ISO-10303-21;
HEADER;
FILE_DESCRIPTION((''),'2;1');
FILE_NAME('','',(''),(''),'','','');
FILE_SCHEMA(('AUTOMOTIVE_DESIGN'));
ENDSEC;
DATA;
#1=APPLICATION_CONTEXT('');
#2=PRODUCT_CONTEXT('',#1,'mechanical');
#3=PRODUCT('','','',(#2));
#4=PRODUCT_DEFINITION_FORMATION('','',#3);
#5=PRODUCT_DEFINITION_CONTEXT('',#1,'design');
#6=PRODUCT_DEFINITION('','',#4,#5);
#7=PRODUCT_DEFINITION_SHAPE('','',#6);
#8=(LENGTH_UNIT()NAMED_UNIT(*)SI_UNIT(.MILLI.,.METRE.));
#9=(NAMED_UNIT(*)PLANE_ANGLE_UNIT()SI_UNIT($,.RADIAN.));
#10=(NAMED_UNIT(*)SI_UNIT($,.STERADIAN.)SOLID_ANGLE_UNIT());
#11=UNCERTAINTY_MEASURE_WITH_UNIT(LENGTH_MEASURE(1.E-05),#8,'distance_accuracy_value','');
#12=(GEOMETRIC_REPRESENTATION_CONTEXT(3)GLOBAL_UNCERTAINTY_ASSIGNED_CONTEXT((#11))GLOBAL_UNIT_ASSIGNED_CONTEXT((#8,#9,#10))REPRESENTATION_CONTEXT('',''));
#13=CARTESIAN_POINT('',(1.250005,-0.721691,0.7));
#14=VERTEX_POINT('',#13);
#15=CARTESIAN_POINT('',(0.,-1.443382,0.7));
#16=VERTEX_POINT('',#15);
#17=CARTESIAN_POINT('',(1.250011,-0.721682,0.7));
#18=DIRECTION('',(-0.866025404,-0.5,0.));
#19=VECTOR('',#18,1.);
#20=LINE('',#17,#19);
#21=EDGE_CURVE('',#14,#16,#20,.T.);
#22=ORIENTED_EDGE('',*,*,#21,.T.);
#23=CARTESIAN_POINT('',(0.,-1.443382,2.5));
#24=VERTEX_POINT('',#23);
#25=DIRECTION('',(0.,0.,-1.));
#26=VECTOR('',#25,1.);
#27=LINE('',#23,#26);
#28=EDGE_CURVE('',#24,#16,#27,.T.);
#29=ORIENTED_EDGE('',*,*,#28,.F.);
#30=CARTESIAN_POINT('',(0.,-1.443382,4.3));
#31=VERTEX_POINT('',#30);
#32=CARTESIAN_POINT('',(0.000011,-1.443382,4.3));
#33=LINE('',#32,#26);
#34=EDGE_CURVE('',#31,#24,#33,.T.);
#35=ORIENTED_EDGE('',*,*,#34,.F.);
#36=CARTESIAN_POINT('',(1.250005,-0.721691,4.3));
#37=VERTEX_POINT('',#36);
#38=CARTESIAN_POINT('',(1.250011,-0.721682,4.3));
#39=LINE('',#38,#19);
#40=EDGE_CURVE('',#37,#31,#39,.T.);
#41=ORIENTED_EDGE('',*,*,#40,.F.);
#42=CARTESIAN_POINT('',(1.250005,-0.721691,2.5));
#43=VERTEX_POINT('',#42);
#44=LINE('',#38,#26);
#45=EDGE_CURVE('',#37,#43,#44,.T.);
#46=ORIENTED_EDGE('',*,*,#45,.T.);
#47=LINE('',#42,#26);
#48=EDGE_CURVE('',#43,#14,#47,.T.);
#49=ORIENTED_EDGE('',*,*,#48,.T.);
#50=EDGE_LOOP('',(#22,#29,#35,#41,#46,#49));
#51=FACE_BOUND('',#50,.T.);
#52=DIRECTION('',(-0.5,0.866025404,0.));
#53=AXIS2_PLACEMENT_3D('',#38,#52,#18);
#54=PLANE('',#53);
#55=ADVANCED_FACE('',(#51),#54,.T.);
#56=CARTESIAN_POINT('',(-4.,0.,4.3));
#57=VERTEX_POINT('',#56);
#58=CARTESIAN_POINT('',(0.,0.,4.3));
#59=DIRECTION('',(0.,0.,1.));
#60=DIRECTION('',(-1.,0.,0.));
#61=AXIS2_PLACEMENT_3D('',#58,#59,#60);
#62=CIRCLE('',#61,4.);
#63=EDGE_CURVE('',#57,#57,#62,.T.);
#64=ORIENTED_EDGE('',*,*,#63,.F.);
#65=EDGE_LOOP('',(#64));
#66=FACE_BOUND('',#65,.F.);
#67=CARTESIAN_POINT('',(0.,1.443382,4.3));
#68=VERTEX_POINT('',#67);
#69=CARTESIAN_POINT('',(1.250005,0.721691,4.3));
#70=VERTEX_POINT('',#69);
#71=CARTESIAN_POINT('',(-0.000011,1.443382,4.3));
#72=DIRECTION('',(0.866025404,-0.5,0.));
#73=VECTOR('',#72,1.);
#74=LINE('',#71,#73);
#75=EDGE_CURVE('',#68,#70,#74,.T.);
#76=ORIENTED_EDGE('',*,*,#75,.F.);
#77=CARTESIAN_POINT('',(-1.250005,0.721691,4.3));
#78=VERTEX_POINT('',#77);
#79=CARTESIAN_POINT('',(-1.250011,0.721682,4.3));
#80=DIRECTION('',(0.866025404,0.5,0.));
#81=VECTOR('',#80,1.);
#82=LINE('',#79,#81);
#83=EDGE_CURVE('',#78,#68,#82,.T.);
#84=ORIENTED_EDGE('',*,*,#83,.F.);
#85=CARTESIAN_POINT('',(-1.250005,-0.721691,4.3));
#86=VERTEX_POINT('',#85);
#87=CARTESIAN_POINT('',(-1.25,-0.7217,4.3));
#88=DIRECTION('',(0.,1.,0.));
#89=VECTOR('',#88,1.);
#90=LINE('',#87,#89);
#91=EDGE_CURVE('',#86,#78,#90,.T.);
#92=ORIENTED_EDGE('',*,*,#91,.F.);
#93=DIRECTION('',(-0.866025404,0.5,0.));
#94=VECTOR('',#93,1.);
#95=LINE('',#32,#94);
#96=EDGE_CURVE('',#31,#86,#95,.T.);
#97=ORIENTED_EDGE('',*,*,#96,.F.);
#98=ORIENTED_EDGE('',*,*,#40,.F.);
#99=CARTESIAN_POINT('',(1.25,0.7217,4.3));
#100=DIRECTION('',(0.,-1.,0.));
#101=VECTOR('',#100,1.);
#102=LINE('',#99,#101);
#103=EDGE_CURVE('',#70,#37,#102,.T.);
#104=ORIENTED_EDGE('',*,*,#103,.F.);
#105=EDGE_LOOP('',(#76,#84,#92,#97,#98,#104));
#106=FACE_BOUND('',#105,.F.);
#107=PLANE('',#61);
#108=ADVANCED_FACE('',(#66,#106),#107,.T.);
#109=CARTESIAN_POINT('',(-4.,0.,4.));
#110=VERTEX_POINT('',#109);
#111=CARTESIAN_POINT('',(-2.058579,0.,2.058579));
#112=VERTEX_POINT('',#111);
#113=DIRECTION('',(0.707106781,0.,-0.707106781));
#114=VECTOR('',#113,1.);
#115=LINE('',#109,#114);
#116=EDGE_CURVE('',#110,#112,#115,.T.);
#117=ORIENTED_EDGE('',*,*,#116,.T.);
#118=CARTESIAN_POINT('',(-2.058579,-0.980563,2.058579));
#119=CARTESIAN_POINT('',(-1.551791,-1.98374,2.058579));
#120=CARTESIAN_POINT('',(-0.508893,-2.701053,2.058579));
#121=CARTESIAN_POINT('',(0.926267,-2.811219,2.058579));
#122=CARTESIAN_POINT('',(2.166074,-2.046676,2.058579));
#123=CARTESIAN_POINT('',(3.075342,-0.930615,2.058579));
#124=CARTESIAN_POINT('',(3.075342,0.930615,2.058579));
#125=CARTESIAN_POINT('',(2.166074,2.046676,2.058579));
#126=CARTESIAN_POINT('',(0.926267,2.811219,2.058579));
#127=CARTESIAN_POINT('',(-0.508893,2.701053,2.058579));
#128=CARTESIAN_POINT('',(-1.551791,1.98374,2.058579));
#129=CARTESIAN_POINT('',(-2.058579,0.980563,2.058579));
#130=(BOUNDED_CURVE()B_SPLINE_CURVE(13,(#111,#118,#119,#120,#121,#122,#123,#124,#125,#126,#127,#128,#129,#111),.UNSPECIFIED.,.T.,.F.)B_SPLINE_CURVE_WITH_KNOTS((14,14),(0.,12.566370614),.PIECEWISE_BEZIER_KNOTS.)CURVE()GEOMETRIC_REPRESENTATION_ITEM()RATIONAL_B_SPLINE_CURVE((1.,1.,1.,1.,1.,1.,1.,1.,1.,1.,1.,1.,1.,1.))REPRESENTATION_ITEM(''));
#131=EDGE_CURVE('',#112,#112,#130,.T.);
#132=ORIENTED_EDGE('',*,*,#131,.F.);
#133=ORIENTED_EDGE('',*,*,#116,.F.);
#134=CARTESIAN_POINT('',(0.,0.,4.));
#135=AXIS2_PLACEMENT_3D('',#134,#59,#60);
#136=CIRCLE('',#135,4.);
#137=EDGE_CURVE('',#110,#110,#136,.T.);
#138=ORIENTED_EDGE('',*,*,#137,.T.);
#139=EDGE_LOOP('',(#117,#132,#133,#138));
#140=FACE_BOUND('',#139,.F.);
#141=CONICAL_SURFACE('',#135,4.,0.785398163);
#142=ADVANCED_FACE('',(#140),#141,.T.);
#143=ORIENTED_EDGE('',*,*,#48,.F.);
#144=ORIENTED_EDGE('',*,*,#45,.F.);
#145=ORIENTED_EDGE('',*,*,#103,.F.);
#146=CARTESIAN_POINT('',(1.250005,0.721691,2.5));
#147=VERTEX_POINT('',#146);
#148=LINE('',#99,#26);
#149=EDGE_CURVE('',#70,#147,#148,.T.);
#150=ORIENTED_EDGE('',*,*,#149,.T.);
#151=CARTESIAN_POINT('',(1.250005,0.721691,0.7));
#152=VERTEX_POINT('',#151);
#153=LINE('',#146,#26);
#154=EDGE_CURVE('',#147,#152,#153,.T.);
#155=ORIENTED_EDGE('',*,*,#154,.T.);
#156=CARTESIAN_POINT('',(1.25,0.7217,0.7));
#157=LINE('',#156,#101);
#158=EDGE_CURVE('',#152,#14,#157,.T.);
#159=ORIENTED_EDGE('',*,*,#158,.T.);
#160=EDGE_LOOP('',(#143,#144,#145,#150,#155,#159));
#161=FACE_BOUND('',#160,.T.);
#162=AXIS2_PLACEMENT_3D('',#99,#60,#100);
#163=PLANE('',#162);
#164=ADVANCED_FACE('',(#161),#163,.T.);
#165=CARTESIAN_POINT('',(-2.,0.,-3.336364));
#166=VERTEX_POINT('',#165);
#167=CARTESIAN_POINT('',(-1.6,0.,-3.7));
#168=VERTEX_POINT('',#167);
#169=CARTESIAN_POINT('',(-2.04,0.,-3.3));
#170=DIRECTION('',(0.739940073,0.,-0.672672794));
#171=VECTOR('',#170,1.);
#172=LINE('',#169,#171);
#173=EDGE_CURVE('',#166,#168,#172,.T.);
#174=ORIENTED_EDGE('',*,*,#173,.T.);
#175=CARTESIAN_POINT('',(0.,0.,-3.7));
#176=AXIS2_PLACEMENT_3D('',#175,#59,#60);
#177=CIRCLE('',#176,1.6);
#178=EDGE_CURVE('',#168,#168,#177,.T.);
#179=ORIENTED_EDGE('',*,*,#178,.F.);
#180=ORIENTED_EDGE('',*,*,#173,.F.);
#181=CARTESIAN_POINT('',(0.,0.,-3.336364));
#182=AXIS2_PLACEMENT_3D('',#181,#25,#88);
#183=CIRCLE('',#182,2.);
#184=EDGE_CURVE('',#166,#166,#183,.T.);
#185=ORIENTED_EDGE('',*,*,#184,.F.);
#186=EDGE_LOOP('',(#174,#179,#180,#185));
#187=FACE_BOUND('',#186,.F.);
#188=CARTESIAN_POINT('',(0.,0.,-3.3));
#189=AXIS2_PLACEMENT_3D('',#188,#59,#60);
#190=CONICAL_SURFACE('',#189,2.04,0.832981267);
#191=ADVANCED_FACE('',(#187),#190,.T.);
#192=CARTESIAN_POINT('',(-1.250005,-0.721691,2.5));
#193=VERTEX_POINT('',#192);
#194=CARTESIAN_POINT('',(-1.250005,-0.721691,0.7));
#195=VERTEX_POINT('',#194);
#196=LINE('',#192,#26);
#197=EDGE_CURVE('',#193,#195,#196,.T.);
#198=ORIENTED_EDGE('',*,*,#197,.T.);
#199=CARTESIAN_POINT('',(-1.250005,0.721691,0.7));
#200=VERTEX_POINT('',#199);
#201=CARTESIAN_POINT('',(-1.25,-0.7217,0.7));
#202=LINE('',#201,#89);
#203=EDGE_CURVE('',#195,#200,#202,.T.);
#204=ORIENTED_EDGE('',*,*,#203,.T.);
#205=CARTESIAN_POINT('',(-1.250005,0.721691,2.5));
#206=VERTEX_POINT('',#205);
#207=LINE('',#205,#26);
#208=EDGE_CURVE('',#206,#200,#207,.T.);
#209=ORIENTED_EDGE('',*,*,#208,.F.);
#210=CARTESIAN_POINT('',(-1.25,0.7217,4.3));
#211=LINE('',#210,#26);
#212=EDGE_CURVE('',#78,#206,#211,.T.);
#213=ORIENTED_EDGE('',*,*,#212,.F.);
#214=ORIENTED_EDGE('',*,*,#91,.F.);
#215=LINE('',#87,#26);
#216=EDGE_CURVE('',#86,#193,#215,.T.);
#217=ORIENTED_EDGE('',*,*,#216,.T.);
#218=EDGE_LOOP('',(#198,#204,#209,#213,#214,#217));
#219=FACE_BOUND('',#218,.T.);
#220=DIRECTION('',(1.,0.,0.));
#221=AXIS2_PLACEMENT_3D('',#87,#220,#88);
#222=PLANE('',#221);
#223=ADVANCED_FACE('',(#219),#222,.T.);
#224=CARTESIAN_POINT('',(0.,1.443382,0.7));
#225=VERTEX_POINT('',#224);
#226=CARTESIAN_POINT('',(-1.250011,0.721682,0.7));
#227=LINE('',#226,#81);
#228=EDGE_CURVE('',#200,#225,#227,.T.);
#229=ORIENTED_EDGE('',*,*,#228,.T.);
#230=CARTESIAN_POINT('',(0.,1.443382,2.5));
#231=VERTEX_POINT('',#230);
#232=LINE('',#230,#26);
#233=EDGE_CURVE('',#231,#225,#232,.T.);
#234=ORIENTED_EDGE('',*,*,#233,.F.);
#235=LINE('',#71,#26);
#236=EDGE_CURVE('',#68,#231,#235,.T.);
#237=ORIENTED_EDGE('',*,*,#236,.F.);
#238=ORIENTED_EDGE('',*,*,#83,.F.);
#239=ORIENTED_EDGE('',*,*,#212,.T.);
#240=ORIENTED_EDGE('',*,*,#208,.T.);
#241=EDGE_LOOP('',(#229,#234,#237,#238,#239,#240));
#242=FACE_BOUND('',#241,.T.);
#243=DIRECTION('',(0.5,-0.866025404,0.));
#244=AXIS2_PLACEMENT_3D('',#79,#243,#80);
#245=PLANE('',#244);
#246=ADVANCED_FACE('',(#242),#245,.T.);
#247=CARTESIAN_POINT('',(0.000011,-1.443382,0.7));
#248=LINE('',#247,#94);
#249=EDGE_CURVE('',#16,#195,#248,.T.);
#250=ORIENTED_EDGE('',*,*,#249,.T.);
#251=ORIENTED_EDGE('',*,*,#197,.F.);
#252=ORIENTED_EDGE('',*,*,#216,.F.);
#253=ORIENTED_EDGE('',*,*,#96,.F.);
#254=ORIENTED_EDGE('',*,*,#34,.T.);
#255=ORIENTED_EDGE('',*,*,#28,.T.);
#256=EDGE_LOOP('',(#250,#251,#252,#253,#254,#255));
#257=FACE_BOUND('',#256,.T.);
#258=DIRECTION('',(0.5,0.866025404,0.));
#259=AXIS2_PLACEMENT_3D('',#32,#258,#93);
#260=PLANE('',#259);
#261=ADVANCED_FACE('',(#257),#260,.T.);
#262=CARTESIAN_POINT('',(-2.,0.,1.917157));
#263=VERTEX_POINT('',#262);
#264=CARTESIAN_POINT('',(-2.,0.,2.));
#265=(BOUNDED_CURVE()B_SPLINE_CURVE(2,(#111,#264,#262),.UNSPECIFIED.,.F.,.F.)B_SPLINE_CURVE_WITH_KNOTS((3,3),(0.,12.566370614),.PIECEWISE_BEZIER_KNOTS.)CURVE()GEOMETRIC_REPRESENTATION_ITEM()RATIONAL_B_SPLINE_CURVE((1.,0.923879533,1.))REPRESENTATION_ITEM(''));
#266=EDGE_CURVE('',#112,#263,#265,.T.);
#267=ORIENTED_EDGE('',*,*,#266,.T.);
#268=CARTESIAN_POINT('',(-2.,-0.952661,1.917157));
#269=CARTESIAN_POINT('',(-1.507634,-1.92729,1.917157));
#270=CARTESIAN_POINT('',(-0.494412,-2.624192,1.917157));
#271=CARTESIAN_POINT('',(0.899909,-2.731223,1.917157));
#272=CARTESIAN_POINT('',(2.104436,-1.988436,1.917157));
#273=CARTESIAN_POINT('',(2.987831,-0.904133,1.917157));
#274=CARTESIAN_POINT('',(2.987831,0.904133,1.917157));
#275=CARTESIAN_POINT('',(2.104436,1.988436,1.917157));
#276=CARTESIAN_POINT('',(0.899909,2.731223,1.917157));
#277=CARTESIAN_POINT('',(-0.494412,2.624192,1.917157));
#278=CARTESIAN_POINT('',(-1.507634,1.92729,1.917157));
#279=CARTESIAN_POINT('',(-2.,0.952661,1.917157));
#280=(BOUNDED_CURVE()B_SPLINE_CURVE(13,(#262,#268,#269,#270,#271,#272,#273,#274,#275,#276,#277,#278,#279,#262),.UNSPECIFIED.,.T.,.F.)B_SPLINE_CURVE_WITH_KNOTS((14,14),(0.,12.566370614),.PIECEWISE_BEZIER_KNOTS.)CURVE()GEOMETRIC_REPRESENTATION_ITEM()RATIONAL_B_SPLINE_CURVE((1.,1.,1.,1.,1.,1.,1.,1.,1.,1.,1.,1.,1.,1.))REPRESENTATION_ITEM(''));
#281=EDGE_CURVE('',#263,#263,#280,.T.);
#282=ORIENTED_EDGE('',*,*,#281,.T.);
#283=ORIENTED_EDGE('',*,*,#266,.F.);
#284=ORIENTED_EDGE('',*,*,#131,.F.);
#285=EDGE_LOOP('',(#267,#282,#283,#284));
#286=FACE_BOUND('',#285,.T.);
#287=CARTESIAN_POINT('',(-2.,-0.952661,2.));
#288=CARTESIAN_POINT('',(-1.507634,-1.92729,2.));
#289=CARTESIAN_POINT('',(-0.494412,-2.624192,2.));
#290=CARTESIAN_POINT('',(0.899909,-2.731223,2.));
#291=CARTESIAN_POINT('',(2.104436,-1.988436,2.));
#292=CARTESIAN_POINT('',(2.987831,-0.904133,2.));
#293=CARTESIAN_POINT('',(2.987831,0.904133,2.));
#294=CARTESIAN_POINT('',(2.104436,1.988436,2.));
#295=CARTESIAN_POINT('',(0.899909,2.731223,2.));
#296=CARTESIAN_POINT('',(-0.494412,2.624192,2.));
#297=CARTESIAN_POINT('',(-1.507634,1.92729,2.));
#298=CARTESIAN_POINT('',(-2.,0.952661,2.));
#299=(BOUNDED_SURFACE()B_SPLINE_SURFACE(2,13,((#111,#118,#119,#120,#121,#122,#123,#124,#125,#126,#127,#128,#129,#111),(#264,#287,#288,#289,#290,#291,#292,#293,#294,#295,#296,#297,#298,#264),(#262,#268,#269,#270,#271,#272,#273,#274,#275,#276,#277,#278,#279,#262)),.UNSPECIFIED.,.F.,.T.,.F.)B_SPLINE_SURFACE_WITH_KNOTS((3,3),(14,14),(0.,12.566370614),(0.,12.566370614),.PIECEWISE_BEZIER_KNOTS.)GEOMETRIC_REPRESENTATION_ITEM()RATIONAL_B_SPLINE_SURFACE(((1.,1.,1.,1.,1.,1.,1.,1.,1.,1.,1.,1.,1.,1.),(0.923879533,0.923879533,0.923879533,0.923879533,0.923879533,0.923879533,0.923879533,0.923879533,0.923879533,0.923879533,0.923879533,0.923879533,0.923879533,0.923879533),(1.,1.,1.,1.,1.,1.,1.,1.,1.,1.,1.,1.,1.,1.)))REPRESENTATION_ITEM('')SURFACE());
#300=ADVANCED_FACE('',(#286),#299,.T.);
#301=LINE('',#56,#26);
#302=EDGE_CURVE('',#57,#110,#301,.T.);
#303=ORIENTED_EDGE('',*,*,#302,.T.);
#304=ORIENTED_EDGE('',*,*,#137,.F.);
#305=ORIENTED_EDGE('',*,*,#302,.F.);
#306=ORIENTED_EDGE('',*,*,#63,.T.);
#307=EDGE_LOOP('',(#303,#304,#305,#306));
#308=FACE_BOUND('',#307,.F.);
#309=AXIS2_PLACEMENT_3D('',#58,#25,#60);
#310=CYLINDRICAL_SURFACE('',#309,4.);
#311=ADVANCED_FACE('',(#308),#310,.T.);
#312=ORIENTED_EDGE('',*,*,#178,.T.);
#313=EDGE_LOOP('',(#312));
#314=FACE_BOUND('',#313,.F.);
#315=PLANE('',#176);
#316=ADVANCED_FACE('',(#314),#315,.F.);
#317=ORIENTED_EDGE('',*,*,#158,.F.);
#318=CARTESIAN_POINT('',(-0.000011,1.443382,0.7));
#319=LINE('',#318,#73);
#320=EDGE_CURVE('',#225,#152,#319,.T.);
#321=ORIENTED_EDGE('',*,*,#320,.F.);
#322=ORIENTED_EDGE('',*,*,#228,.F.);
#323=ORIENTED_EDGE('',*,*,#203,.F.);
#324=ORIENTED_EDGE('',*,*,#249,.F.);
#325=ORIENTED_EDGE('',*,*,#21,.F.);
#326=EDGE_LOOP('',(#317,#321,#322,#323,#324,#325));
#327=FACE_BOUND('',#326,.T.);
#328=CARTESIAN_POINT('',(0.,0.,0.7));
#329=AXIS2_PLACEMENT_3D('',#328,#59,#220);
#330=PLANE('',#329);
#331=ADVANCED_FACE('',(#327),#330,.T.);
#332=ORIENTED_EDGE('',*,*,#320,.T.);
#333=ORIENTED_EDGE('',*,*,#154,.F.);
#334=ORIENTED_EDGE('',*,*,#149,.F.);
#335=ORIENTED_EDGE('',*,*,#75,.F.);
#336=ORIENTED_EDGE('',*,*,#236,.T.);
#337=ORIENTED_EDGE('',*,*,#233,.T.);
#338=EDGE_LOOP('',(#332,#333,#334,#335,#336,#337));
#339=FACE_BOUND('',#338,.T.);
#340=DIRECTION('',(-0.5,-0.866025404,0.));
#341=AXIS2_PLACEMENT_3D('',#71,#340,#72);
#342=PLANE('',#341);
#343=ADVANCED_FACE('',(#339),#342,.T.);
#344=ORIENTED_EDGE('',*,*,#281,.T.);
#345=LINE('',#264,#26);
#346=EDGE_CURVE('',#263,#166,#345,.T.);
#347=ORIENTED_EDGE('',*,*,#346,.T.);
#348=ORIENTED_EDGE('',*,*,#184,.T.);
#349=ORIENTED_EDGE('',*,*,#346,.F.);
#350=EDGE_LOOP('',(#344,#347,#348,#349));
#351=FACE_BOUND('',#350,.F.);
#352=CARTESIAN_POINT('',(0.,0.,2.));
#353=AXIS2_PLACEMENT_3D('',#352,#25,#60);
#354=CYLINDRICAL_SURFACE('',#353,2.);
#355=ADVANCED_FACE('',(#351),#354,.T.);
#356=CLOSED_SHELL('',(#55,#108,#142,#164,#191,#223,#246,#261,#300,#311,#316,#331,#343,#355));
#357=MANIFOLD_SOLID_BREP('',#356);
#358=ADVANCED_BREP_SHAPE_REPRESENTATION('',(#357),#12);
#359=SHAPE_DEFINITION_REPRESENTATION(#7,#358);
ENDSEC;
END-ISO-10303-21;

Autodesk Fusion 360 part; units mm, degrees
sketch "Sketch1" plane through (0, 0, 0) normal (0, 1, 0) x (1, 0, 0)
  line L0 (0, -4.3) -> (-4, -4.3)
  line L1 (-4, -4.3) -> (-4, -4)
  line L2 (-4, -4) -> (-2, -2)
  line L3 (-2, -2) -> (-2, 3.7)
  line L4 (-2, -2) -> (0, 0) construction
  line L5 (-2, 3.7) -> (0, 3.7)
  line L6 (0, 3.7) -> (0, -4.3)
  dimension "d5" = 45
  dimension "d9" = 4
  dimension "d10" = 8
  dimension "d72" = 2.3
  dimension "d73" = 8
revolve "Revolve1" add sketch "Sketch1" angle 360 about axis through (0, 0, -3.7) along (0, 0, 1)
sketch "Sketch6" plane through (0, 0, 4.3) normal (0, 0, 1) x (1, 0, 0)
  circle A0 centre (0, 0) radius 4
  line L0 (-1.25, 0) -> (1.25, 0) construction
  line L1 (-1.25, -0.7217) -> (-1.25, 0.7217)
  line L2 (-1.25, 0.7217) -> (0, 0)
  line L3 (-1.25, -0.7217) -> (0, 0)
  dimension "d65" = 2.5
  dimension "d67" = 60
extrude "Extrude1" cut sketch "Sketch6" against normal blind 1.8 contours L1 L2 L3
pattern_circular "C-Pattern1" count 6 over 360 about axis through (0, 0, 1.75) along (0, 0, 1) of "Extrude1"
extrude "Extrude2" cut 1 faces at (-0.4167, -0.2406, 2.5) along direction (0, 0, -1) blind 1.8
fillet "Fillet6" radius 0.2 1 edges at (-1.8647, 0.7232, 2)
thread "Thread2" thread offset 0 thread length 4.3
sketch "Sketch8" plane through (0, 0, 0) normal (0, 1, 0) x (1, 0, 0)
  line L0 (-4, -4.3) -> (-4, -4)
  line L1 (-4, -4) -> (-2, -2)
  line L2 (0, 3.7) -> (0, -4.3)
  line L3 (0, -4.3) -> (-4, -4.3)
  line L4 (0, 3.7) -> (-2.04, 3.7)
  line L5 (-2.04, 3.7) -> (-2.04, 3.3)
  line L6 (-2.04, 3.3) -> (-1.6, 3.7)
  dimension "d104" = 1.6
  dimension "d106" = 2.04
  dimension "d107" = 0.4
revolve "Revolve3" cut sketch "Sketch8" angle 360 about axis through (0, 0, -3.7) along (0, 0, 1)
equation "d5 = adsk_headang * 0.5"
equation "d9 = adsk_nomdia"
equation "d10 = adsk_nomlen"
equation "adsk_nomlen = 8.00 mm"
equation "adsk_headh = 2.30 mm"
equation "adsk_headdia = 8.00 mm"
equation "adsk_nomdia = 4.00 mm"
equation "adsk_headang = 90.00 deg"
equation "adsk_philwidth = 2.50 mm"
equation "adsk_phildepth = 1.80 mm"
equation "d65 = adsk_philwidth"
equation "d72 = adsk_headh"
equation "d73 = adsk_headdia"
equation "d77 = adsk_thrlen"
equation "adsk_thrlen = 4.30 mm"
equation "adsk_midfillet = 0.20 mm"
equation "d85 = adsk_midfillet"
equation "adsk_startlen = adsk_nomdia * 0.1"
equation "adsk_startang = 45 deg"
equation "d99 = ( adsk_nomdia / 2 ) * tan(90 deg - adsk_headang / 2) + adsk_headh"
equation "adsk_endpointdia = adsk_nomdia - 2 * adsk_startlen"
equation "d104 = adsk_endpointdia / 2"
equation "d106 = adsk_nomdia * 0.51"
equation "d107 = adsk_startlen"
properties part number "arrangementsContainer"
